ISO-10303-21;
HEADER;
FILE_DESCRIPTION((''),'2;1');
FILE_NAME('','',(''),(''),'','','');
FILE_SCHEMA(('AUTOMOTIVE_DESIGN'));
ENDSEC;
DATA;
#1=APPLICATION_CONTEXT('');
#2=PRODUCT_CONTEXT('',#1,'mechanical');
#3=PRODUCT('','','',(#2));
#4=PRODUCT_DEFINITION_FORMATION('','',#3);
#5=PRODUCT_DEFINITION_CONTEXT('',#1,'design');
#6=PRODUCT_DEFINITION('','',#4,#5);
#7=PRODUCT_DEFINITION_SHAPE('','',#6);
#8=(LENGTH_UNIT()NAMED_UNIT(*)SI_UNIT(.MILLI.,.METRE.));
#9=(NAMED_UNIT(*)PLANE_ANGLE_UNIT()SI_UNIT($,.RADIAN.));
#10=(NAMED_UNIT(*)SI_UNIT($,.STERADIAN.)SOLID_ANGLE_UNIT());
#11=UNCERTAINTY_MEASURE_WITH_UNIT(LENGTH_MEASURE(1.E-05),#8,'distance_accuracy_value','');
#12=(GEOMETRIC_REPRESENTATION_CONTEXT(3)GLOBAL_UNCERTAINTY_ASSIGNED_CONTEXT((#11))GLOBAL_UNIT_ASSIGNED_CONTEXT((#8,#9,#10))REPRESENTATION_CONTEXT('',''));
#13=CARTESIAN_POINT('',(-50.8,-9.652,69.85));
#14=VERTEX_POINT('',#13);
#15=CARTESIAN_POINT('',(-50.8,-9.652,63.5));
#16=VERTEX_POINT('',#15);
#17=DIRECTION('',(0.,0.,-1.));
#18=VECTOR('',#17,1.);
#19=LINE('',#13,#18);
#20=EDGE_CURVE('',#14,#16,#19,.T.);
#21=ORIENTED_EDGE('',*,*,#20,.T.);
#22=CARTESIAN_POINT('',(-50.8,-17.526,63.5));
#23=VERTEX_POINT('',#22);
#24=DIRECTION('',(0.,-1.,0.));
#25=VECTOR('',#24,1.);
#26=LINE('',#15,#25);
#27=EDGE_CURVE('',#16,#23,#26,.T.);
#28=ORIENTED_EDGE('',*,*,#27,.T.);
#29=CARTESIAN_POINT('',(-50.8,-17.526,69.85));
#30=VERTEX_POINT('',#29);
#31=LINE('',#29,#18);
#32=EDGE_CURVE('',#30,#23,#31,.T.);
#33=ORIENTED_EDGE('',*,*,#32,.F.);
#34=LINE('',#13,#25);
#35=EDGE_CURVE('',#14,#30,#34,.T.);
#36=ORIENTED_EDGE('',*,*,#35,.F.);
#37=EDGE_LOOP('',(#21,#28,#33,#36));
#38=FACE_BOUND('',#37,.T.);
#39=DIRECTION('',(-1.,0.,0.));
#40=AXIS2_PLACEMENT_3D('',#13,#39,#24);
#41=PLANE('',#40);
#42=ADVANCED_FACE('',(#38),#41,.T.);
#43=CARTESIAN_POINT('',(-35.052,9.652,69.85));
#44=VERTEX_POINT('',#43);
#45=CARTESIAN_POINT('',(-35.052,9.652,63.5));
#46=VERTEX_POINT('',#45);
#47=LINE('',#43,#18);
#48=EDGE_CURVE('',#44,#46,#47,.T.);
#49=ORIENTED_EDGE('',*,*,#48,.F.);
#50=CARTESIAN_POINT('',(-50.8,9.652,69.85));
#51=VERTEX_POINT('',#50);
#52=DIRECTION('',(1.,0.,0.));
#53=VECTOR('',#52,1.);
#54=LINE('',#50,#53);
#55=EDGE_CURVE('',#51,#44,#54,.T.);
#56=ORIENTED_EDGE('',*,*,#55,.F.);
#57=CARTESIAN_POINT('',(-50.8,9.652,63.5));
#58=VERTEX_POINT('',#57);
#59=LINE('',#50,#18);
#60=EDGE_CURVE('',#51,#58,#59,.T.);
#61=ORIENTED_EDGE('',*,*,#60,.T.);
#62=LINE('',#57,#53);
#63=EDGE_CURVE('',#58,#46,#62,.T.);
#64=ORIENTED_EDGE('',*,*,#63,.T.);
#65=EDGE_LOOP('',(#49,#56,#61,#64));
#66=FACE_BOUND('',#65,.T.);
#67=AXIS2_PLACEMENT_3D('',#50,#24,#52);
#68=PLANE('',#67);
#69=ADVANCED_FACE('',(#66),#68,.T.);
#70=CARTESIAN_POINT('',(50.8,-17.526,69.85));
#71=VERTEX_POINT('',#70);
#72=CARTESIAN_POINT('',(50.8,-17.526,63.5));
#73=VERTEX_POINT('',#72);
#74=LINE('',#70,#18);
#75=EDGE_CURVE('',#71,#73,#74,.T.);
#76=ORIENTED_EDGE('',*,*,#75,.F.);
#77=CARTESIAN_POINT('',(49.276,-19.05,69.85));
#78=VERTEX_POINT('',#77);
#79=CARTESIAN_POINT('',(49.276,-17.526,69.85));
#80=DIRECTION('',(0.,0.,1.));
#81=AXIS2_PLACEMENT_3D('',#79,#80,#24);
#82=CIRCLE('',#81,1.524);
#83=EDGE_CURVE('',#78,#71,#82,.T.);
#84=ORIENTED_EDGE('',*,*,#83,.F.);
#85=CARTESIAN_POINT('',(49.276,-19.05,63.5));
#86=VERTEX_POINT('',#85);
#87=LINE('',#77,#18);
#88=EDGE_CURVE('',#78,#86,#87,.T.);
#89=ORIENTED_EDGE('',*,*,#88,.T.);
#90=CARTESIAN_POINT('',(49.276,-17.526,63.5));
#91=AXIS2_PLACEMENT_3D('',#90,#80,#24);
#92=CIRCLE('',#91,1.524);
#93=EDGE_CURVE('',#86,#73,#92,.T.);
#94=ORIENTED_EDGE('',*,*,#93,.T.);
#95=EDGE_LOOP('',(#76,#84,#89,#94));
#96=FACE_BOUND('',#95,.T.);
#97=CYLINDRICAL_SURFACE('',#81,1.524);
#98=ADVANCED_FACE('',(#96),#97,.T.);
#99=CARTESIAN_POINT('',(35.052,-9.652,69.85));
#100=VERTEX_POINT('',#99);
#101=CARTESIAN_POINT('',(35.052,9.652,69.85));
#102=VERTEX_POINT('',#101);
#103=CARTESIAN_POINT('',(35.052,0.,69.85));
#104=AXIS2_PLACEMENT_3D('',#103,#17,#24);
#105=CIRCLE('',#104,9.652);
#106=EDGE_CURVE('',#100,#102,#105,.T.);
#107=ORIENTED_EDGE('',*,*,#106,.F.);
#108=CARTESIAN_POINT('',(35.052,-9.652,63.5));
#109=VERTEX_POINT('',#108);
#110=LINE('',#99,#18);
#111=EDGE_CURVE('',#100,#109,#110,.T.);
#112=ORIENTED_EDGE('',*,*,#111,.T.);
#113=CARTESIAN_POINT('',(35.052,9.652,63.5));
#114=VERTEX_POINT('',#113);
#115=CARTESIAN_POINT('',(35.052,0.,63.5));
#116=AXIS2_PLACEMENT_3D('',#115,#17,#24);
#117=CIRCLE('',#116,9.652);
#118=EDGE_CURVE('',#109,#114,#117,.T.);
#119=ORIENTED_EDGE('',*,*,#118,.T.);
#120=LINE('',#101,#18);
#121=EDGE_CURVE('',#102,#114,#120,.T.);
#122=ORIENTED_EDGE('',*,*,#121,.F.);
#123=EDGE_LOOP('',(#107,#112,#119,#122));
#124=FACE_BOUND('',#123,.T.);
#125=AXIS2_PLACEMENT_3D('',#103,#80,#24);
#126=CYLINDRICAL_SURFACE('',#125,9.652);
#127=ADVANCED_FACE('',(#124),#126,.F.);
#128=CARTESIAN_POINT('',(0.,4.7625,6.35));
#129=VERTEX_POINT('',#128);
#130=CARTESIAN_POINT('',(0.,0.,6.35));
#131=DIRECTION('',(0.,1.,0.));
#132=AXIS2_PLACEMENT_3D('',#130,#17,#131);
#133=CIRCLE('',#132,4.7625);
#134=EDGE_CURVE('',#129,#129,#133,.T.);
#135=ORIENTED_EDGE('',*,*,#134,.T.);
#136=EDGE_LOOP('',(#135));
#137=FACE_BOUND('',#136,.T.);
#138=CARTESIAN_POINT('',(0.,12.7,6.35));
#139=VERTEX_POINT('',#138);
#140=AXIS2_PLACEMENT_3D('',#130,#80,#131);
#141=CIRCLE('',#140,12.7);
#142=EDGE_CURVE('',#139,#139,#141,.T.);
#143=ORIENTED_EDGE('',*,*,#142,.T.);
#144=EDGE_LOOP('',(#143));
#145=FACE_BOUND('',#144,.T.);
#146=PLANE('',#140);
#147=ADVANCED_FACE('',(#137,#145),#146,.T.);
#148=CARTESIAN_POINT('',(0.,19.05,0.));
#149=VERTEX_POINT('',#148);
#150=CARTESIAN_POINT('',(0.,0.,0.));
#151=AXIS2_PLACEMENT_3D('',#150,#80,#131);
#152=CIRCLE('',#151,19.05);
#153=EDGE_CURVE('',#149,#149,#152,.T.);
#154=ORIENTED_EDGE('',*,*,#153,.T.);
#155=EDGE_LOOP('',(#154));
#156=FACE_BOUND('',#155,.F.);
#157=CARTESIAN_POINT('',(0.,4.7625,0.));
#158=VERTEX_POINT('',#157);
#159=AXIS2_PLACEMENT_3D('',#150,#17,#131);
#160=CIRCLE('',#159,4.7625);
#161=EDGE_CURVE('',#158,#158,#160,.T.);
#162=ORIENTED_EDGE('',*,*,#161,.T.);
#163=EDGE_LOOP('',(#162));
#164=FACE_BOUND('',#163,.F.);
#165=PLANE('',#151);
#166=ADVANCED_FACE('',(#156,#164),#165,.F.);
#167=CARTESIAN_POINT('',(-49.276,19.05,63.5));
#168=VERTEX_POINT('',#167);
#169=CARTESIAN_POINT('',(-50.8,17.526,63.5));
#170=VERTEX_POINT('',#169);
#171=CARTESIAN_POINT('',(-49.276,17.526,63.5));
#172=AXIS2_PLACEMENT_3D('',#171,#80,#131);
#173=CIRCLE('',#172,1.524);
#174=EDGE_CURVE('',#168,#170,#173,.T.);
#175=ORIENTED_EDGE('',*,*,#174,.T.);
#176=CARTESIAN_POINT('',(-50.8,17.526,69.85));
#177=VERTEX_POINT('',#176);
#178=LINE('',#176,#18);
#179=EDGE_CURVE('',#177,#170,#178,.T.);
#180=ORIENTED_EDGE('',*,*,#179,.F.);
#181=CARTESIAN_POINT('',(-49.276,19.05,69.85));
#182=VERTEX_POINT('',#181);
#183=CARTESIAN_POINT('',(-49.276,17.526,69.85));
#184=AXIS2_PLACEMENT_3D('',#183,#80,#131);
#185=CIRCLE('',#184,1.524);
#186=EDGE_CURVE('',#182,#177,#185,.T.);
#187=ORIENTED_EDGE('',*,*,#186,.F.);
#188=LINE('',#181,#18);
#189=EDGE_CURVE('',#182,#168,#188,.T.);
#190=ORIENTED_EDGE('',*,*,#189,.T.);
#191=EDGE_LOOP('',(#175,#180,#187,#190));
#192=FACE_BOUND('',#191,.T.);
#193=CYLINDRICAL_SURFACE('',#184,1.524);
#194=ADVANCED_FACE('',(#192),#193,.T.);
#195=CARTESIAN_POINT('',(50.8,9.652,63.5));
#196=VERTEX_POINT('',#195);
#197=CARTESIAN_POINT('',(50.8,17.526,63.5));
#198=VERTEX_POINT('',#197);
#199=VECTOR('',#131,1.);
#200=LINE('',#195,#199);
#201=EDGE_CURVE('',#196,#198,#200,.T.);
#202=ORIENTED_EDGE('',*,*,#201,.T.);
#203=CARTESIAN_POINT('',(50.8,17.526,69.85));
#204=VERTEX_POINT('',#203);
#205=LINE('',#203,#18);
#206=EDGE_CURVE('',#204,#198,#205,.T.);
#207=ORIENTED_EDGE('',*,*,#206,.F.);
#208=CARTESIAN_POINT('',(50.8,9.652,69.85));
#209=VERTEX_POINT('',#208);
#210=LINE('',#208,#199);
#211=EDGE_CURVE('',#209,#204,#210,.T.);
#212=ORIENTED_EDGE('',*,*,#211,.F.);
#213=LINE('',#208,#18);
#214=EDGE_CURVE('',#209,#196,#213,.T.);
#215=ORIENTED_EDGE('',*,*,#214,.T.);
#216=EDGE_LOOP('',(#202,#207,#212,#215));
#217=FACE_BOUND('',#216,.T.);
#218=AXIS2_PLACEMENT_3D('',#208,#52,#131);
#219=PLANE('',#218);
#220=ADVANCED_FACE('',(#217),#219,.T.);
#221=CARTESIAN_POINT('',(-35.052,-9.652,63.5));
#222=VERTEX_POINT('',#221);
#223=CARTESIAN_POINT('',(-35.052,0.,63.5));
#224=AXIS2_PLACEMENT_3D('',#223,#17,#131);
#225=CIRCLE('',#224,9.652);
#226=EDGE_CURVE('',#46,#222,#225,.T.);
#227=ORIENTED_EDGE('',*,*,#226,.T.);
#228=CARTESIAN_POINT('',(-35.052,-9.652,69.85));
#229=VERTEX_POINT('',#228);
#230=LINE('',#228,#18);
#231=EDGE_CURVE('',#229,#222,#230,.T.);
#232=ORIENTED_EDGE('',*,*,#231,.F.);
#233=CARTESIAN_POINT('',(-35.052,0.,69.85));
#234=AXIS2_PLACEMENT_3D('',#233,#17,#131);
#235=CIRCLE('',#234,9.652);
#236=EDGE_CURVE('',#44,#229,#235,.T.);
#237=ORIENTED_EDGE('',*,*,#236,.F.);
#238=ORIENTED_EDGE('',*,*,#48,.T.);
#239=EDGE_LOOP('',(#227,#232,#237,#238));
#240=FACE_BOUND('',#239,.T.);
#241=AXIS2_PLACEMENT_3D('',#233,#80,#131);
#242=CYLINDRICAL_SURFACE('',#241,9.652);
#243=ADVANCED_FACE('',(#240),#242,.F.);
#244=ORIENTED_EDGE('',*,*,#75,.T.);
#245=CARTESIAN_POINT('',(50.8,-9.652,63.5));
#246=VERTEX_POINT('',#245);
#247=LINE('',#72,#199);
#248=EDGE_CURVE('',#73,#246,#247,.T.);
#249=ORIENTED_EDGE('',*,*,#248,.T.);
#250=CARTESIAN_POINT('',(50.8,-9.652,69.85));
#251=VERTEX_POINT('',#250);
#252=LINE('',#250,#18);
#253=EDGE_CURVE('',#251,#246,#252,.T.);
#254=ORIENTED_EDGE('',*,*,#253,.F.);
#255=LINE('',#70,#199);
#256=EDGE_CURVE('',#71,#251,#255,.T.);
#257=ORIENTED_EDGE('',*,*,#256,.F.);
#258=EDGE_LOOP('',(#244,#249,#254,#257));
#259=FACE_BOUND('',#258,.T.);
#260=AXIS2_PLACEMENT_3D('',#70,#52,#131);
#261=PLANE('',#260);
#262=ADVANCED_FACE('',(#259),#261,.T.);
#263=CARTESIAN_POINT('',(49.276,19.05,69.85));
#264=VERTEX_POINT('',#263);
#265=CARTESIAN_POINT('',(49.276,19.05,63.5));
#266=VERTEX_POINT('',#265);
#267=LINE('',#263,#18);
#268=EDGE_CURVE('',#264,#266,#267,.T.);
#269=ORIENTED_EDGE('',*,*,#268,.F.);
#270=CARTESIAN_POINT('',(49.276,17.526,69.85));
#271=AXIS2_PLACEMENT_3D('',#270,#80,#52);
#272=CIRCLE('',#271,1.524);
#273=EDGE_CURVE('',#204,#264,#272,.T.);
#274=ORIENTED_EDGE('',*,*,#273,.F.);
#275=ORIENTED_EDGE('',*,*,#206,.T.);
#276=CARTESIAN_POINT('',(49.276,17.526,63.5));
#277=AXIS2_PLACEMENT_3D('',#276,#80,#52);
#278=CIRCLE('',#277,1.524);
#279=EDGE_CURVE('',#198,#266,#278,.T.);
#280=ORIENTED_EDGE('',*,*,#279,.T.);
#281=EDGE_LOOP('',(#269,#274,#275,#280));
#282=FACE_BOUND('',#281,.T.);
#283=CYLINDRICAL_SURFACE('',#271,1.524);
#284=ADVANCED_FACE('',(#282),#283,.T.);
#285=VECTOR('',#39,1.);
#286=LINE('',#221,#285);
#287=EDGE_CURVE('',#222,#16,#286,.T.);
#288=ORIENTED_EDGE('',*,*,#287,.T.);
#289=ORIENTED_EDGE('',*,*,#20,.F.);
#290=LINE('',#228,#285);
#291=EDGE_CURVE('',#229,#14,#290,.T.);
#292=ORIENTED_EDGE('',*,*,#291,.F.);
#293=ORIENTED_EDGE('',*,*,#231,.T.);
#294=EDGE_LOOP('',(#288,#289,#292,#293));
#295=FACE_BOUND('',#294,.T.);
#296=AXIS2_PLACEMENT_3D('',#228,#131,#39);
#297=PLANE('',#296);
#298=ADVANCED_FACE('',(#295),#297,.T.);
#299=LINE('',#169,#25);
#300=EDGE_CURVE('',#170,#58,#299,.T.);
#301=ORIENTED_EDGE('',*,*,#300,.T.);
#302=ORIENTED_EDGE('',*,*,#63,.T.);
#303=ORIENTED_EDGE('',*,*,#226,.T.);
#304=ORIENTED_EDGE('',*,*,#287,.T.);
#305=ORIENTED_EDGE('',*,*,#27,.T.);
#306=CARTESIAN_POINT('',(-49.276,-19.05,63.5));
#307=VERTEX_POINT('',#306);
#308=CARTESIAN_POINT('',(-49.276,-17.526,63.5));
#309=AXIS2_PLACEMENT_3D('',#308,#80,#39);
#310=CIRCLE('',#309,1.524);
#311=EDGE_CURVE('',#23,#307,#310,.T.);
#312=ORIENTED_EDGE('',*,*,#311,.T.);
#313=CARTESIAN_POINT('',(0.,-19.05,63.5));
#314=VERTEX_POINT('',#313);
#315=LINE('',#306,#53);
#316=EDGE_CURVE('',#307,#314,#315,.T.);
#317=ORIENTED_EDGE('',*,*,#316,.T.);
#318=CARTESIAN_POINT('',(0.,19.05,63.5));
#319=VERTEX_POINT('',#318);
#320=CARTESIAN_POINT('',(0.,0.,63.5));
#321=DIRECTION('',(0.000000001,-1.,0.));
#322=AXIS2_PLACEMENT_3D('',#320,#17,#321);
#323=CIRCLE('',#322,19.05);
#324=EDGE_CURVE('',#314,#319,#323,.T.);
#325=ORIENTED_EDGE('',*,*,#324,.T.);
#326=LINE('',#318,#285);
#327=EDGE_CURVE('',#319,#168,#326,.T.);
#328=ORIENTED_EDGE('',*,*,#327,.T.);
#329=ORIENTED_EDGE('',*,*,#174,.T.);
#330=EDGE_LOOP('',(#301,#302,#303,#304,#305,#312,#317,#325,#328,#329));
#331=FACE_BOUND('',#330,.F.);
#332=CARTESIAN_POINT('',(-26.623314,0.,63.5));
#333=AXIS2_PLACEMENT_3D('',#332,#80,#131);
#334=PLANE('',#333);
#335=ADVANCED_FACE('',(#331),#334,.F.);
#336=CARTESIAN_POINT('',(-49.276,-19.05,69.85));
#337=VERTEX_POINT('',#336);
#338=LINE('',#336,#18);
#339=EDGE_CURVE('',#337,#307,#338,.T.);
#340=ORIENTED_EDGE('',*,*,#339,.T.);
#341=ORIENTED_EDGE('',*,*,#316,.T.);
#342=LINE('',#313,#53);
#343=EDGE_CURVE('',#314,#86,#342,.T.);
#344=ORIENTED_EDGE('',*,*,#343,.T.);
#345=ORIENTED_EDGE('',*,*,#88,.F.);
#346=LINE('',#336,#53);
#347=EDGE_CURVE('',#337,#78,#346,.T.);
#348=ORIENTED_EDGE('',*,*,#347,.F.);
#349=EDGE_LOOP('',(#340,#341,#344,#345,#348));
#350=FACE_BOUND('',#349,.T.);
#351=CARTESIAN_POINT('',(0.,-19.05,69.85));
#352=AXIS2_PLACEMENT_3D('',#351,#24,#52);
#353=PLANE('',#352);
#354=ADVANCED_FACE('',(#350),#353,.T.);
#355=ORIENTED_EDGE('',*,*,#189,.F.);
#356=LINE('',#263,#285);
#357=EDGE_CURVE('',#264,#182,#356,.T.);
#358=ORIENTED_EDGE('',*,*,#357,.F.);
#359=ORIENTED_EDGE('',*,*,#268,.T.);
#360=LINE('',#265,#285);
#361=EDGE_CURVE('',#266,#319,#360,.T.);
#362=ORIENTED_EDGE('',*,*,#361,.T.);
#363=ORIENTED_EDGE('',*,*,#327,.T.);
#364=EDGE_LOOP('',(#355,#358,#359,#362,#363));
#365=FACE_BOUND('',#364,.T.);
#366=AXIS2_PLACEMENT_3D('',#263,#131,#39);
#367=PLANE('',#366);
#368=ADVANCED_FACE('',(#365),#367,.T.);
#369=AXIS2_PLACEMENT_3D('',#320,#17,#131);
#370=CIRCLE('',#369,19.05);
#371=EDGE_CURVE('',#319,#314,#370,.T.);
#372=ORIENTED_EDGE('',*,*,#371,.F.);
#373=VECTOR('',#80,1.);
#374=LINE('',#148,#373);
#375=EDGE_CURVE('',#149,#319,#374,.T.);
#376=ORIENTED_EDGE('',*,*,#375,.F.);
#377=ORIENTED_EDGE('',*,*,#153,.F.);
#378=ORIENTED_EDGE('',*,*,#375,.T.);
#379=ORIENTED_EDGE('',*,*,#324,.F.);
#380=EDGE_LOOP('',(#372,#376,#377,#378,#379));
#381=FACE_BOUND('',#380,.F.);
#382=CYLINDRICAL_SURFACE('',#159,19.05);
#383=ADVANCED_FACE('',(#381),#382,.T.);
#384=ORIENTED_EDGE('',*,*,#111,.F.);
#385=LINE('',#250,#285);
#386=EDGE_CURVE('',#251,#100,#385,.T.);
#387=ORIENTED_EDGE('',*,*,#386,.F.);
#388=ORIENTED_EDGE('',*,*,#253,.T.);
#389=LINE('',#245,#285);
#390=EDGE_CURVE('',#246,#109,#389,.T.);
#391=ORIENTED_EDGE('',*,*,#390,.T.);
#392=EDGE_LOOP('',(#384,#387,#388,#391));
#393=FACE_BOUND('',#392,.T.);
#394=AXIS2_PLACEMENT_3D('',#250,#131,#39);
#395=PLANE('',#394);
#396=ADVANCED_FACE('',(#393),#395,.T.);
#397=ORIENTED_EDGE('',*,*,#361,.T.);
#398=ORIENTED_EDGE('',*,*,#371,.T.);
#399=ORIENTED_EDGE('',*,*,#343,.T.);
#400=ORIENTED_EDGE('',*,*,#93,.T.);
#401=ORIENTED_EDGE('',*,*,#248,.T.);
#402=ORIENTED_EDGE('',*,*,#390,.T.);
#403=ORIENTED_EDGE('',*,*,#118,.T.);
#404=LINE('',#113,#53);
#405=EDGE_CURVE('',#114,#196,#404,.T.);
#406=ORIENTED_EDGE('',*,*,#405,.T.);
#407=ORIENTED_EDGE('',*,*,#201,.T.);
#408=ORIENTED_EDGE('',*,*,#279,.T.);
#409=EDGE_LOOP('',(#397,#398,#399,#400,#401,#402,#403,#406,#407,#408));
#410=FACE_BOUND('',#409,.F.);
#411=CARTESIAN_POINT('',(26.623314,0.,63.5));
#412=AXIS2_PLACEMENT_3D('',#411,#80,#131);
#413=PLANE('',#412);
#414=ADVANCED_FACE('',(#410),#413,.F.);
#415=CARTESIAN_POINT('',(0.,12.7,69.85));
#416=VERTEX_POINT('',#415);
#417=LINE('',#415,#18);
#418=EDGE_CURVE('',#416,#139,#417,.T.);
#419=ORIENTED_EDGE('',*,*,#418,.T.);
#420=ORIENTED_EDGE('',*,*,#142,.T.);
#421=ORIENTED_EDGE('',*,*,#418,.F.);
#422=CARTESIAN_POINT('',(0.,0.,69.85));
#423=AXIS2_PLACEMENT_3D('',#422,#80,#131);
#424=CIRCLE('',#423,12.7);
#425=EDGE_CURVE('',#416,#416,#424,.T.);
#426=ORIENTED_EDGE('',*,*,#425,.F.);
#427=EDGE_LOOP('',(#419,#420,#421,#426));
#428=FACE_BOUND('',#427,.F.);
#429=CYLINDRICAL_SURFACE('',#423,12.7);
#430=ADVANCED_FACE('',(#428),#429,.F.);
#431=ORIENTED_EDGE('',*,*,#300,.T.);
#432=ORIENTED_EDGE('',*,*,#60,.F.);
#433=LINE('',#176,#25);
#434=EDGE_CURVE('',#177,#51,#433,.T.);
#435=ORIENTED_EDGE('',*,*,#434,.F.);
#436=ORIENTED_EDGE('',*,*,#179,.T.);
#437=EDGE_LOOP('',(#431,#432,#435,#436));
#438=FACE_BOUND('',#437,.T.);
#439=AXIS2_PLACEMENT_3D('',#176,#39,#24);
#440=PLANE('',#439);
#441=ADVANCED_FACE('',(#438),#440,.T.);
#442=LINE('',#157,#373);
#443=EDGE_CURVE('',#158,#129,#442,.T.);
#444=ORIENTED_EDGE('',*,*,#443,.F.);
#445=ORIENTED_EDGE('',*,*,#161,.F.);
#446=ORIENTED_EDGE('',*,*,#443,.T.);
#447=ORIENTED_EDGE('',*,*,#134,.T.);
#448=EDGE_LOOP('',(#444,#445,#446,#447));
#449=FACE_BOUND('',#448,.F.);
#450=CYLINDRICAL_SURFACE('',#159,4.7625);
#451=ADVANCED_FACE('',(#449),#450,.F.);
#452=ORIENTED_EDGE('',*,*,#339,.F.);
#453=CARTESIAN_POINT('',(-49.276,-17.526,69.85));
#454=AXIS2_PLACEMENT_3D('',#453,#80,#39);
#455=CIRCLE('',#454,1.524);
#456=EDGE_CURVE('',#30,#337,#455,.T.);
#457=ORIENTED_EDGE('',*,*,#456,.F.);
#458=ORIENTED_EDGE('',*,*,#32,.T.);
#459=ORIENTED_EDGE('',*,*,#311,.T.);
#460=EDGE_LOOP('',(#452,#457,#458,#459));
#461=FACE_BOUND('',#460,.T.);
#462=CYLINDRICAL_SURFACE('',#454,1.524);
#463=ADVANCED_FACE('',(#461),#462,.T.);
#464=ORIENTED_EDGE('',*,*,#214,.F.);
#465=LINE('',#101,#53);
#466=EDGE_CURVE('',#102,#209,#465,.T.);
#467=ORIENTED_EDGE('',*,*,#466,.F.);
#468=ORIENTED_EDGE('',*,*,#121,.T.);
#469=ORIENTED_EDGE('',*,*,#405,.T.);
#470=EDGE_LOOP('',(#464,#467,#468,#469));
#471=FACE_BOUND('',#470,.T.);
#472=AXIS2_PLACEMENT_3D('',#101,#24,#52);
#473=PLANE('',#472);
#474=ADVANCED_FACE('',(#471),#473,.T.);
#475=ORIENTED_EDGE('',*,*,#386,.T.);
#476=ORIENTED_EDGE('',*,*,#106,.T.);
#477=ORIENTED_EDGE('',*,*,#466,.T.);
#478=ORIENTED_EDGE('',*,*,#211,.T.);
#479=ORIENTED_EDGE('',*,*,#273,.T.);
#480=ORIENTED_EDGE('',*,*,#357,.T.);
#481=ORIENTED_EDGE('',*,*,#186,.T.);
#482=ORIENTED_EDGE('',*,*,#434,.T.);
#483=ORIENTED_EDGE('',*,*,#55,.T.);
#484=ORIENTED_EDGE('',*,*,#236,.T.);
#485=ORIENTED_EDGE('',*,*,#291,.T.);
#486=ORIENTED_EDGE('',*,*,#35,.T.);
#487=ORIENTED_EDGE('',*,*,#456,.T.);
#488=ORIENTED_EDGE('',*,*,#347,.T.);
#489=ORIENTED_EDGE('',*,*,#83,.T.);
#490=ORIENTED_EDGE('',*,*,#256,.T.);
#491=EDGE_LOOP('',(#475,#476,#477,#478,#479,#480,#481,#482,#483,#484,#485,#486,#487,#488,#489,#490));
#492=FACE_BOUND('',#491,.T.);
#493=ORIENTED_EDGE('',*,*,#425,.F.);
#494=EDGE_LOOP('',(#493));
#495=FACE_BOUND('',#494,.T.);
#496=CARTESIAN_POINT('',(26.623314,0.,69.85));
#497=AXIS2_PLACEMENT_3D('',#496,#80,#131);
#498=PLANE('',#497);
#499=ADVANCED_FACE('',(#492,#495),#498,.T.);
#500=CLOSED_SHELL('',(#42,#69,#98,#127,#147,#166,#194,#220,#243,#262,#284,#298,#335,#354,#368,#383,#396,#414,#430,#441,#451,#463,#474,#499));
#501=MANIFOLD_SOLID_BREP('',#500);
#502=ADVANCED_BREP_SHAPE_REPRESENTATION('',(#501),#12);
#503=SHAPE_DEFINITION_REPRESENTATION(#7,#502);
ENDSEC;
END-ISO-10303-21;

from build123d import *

# Parameters (mm, degrees)
F0_R     = 19.05
F1_DEPTH = 69.85
F2_R     = 12.7
F3_DEPTH = 63.5
F4_R     = 4.7625
F5_DEPTH = 69.851
F7_DEPTH = 6.35
F8_ANGLE = 90


with BuildPart() as f1:
    # F0 (on Top) → F1 (new body)
    with BuildSketch(Plane.XY):
        Circle(F0_R)
    extrude(amount=F1_DEPTH)

    # F2 (on face) → F3 (cut)
    with BuildSketch(Plane.XY.offset(69.85)):
        Circle(F2_R)
    extrude(amount=-F3_DEPTH, mode=Mode.SUBTRACT)

    # F4 (on face) → F5 (cut, through all)
    with BuildSketch(Plane(origin=(0, 0, 0), x_dir=(1, 0, 0), z_dir=(0, 0, -1))):
        Circle(F4_R)
    extrude(amount=-F5_DEPTH, mode=Mode.SUBTRACT)

    # F6 (on face) → F7 (join)
    with BuildSketch(Plane.XY.offset(69.85)):
        with BuildLine():
            Line((9.652, -50.8), (17.526, -50.8))
            ThreePointArc((17.526, -50.8), (18.6036307345, -50.3536307345), (19.05, -49.276))
            Line((19.05, -49.276), (19.05, 0))
            ThreePointArc((19.05, 0), (7.1e-09, -19.05), (-19.05, -1.43e-08))
            Line((-19.05, -1.43e-08), (-19.05, -49.276))
            ThreePointArc((-19.05, -49.276), (-18.6036307345, -50.3536307345), (-17.526, -50.8))
            Line((-17.526, -50.8), (-9.652, -50.8))
            Line((-9.652, -50.8), (-9.652, -35.052))
            ThreePointArc((-9.652, -35.052), (0, -25.4), (9.652, -35.052))
            Line((9.652, -35.052), (9.652, -50.8))
        make_face()
        with BuildLine():
            ThreePointArc((-19.05, -1.43e-08), (-7.1e-09, 19.05), (19.05, 0))
            Line((19.05, 0), (19.05, 49.276))
            ThreePointArc((19.05, 49.276), (18.6036307345, 50.3536307345), (17.526, 50.8))
            Line((17.526, 50.8), (9.652, 50.8))
            Line((9.652, 50.8), (9.652, 35.052))
            ThreePointArc((9.652, 35.052), (0, 25.4), (-9.652, 35.052))
            Line((-9.652, 35.052), (-9.652, 50.8))
            Line((-9.652, 50.8), (-17.526, 50.8))
            ThreePointArc((-17.526, 50.8), (-18.6036307345, 50.3536307345), (-19.05, 49.276))
            Line((-19.05, 49.276), (-19.05, -1.43e-08))
        make_face()
    extrude(amount=-F7_DEPTH)


with BuildPart() as f1_1:
    # F8: moved
    add(f1.part.rotate(Axis((0, 0, 69.85), (0, 0, 1)), F8_ANGLE))


solid = f1_1.part
